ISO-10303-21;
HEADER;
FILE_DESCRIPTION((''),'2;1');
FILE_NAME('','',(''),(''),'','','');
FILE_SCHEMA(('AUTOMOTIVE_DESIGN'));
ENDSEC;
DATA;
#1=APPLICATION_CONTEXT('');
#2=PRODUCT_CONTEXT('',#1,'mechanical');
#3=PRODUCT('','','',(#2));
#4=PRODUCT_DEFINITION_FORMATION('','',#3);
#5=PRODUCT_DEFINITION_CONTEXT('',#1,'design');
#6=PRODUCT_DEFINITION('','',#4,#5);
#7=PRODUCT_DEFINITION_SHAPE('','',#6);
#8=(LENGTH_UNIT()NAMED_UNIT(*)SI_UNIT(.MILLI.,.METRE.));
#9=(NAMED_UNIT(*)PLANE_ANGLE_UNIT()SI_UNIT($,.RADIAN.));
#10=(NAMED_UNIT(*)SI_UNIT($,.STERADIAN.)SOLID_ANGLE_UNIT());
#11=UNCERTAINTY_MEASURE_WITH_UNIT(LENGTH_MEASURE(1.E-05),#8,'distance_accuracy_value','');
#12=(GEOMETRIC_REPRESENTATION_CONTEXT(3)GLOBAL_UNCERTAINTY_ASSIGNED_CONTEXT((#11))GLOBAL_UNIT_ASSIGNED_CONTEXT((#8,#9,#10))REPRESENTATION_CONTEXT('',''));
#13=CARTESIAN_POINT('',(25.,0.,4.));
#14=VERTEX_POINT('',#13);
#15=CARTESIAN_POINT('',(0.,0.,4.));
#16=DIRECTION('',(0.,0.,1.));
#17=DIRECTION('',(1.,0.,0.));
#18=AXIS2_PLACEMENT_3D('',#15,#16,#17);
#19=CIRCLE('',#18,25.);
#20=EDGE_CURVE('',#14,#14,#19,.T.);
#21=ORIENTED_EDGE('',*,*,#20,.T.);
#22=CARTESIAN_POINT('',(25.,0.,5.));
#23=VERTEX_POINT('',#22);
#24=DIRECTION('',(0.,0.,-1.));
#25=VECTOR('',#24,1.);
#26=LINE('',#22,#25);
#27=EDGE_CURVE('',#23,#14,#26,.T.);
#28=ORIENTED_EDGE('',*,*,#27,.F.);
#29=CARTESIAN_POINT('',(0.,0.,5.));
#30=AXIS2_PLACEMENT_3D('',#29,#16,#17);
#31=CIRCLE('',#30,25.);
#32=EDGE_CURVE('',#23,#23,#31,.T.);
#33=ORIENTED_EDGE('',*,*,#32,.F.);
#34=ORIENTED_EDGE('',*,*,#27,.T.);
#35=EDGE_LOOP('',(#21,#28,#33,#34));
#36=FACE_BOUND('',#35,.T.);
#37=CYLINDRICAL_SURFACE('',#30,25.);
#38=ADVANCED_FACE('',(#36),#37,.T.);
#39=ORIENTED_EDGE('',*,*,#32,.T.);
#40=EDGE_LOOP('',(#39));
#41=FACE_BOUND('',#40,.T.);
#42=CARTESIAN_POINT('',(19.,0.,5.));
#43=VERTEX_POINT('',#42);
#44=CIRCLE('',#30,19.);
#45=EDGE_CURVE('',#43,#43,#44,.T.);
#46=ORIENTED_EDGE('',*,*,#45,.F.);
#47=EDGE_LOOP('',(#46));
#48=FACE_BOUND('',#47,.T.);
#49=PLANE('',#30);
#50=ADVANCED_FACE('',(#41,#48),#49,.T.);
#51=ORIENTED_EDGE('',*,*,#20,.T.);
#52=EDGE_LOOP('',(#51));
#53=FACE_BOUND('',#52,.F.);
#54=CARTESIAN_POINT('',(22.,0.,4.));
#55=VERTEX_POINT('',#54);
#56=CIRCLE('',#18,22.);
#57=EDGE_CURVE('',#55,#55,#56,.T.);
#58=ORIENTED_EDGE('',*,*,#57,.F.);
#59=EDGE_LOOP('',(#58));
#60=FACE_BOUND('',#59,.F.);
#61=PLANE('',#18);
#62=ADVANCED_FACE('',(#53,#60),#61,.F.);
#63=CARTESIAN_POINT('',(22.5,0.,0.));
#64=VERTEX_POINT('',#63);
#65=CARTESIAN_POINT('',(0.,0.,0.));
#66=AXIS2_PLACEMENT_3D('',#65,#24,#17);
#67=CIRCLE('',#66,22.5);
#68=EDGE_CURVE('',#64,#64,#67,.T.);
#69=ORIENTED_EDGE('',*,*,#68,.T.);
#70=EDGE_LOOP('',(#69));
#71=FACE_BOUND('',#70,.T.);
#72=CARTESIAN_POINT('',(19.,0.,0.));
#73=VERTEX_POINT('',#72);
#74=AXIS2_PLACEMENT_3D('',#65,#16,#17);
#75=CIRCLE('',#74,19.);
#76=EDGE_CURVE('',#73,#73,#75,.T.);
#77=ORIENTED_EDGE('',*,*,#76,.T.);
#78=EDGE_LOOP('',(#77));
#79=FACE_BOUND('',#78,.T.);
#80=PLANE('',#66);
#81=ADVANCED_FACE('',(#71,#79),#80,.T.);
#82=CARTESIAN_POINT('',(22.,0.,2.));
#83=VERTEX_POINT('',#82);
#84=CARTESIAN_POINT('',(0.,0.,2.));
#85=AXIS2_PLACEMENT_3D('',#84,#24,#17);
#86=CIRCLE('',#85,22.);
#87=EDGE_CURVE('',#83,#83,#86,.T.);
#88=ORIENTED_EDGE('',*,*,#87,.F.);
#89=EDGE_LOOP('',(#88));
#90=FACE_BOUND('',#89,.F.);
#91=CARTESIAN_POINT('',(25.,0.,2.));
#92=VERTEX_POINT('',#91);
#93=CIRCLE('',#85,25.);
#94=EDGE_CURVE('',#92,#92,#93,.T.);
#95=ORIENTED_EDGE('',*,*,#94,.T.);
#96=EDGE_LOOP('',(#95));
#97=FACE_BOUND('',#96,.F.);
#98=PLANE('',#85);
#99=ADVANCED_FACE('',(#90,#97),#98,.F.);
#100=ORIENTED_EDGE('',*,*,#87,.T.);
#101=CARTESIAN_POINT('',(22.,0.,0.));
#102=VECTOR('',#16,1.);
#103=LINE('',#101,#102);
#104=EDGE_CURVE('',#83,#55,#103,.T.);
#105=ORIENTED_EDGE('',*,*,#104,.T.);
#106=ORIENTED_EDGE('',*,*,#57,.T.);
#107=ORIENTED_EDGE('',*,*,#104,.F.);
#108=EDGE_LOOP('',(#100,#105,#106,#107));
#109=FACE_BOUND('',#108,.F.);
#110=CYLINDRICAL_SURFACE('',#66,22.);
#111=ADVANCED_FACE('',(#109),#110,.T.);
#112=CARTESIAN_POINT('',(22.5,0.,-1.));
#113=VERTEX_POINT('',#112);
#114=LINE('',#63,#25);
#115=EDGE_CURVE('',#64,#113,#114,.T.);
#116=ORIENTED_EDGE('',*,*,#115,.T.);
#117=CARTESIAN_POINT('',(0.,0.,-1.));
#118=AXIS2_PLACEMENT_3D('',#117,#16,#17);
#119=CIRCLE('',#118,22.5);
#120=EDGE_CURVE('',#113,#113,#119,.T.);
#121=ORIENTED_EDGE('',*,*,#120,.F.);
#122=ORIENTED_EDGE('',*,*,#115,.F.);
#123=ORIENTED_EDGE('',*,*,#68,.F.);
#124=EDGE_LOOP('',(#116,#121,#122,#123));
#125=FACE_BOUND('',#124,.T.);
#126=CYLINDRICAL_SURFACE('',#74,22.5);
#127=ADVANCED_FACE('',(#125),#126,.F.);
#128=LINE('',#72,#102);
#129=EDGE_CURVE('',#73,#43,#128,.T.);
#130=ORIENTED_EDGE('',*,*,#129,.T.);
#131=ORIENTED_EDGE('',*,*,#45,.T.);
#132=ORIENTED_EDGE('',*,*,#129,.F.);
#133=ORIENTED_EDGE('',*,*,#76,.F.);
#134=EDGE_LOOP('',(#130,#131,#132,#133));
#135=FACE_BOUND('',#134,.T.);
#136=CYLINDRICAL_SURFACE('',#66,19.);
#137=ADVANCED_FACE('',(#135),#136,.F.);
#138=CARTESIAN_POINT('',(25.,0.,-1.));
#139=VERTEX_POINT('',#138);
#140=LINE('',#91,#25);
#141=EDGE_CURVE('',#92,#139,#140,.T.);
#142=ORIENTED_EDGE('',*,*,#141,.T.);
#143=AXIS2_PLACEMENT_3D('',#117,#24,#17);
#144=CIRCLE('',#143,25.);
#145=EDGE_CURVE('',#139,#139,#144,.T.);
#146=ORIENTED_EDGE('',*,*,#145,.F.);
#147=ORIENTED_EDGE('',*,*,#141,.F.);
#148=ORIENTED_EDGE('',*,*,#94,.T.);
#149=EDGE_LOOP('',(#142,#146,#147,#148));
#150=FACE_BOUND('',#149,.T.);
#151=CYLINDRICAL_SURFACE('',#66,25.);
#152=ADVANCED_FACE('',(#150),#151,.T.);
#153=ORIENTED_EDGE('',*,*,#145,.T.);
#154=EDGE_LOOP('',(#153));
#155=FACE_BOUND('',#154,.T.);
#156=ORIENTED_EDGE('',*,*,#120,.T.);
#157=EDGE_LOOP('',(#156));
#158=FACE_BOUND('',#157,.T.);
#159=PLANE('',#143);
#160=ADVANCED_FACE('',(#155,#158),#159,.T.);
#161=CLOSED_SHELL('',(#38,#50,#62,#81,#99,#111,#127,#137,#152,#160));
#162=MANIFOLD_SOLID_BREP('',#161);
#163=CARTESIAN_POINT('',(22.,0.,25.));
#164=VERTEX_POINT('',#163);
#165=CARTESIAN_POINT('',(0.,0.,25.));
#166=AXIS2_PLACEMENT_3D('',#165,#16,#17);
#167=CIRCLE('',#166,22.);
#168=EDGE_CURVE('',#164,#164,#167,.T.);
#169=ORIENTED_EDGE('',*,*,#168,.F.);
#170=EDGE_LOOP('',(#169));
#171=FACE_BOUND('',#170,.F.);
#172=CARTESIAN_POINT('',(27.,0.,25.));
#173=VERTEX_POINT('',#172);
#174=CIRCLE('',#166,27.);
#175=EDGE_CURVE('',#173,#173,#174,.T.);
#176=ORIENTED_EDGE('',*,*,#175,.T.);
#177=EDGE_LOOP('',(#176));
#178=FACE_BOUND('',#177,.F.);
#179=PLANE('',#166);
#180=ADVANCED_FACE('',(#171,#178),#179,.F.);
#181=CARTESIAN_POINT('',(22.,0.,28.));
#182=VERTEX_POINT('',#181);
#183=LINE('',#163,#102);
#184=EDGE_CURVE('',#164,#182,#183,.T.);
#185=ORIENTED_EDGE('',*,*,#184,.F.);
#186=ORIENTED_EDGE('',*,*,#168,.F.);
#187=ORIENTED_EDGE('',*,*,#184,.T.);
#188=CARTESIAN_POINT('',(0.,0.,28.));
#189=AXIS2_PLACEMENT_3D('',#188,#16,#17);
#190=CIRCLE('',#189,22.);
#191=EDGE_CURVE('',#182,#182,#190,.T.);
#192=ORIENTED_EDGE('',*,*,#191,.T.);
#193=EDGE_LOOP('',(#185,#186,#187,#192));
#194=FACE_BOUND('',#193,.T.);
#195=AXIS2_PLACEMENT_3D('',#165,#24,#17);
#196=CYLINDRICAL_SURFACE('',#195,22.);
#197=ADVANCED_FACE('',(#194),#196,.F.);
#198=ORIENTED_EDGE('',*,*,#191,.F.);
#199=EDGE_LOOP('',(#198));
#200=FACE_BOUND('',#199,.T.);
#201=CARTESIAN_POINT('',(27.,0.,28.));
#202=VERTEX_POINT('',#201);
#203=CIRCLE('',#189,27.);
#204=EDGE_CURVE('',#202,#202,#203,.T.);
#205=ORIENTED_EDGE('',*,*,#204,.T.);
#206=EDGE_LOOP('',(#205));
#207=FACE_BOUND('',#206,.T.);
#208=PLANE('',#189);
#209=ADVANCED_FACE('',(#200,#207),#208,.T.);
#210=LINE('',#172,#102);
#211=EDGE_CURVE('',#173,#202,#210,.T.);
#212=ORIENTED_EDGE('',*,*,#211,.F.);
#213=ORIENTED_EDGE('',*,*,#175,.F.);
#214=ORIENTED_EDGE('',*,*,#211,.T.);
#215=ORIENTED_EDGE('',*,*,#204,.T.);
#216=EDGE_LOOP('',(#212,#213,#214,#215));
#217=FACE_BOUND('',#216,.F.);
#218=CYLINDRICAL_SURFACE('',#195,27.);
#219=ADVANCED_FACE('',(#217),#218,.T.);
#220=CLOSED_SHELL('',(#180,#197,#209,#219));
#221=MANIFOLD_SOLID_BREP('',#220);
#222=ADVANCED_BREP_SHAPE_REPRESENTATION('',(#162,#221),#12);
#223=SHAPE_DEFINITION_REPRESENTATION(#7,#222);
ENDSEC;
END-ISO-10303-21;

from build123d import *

# Parameters (mm, degrees)
F0_R      = 22
F0_R_2    = 19
F1_DEPTH  = 5
F2_R      = 25
F2_R_2    = 22
F3_DEPTH  = 1
F4_R      = 25
F4_R_2    = 22
F4_R_3    = 21
F5_DEPTH  = 1
F6_DEPTH  = 2
F7_R      = 22.5
F8_DEPTH  = 4
F10_R     = 27
F10_R_2   = 22
F11_DEPTH = 3


with BuildPart() as f1:
    # F0 (on Top) → F1 (new body)
    with BuildSketch(Plane.XY):
        Circle(F0_R)
        Circle(F0_R_2, mode=Mode.SUBTRACT)
    extrude(amount=F1_DEPTH)

    # F2 (on face) → F3 (join)
    with BuildSketch(Plane.XY.offset(5)):
        Circle(F2_R)
        Circle(F2_R_2, mode=Mode.SUBTRACT)
    extrude(amount=-F3_DEPTH)

    # F4 (on face) → F5 (join)
    with BuildSketch(Plane(origin=(0, 0, 0), x_dir=(1, 0, 0), z_dir=(0, 0, -1))):
        Circle(F4_R)
        Circle(F4_R_2, mode=Mode.SUBTRACT)
        Circle(F4_R_2)
        Circle(F4_R_3, mode=Mode.SUBTRACT)
    extrude(amount=F5_DEPTH)

    # F4 (on face) → F6 (join)
    with BuildSketch(Plane(origin=(0, 0, 0), x_dir=(1, 0, 0), z_dir=(0, 0, -1))):
        Circle(F4_R)
        Circle(F4_R_2, mode=Mode.SUBTRACT)
    extrude(amount=-F6_DEPTH)

    # F7 (on face) → F8 (cut)
    with BuildSketch(Plane(origin=(0, 0, 0), x_dir=(1, 0, 0), z_dir=(0, 0, -1))):
        Circle(F7_R)
    extrude(amount=F8_DEPTH, mode=Mode.SUBTRACT)


with BuildPart() as f11:
    # F10 (on offset) → F11 (new body)
    with BuildSketch(Plane.XY.offset(25)):
        Circle(F10_R)
        Circle(F10_R_2, mode=Mode.SUBTRACT)
    extrude(amount=F11_DEPTH)


solid = Compound([f1.part, f11.part])
